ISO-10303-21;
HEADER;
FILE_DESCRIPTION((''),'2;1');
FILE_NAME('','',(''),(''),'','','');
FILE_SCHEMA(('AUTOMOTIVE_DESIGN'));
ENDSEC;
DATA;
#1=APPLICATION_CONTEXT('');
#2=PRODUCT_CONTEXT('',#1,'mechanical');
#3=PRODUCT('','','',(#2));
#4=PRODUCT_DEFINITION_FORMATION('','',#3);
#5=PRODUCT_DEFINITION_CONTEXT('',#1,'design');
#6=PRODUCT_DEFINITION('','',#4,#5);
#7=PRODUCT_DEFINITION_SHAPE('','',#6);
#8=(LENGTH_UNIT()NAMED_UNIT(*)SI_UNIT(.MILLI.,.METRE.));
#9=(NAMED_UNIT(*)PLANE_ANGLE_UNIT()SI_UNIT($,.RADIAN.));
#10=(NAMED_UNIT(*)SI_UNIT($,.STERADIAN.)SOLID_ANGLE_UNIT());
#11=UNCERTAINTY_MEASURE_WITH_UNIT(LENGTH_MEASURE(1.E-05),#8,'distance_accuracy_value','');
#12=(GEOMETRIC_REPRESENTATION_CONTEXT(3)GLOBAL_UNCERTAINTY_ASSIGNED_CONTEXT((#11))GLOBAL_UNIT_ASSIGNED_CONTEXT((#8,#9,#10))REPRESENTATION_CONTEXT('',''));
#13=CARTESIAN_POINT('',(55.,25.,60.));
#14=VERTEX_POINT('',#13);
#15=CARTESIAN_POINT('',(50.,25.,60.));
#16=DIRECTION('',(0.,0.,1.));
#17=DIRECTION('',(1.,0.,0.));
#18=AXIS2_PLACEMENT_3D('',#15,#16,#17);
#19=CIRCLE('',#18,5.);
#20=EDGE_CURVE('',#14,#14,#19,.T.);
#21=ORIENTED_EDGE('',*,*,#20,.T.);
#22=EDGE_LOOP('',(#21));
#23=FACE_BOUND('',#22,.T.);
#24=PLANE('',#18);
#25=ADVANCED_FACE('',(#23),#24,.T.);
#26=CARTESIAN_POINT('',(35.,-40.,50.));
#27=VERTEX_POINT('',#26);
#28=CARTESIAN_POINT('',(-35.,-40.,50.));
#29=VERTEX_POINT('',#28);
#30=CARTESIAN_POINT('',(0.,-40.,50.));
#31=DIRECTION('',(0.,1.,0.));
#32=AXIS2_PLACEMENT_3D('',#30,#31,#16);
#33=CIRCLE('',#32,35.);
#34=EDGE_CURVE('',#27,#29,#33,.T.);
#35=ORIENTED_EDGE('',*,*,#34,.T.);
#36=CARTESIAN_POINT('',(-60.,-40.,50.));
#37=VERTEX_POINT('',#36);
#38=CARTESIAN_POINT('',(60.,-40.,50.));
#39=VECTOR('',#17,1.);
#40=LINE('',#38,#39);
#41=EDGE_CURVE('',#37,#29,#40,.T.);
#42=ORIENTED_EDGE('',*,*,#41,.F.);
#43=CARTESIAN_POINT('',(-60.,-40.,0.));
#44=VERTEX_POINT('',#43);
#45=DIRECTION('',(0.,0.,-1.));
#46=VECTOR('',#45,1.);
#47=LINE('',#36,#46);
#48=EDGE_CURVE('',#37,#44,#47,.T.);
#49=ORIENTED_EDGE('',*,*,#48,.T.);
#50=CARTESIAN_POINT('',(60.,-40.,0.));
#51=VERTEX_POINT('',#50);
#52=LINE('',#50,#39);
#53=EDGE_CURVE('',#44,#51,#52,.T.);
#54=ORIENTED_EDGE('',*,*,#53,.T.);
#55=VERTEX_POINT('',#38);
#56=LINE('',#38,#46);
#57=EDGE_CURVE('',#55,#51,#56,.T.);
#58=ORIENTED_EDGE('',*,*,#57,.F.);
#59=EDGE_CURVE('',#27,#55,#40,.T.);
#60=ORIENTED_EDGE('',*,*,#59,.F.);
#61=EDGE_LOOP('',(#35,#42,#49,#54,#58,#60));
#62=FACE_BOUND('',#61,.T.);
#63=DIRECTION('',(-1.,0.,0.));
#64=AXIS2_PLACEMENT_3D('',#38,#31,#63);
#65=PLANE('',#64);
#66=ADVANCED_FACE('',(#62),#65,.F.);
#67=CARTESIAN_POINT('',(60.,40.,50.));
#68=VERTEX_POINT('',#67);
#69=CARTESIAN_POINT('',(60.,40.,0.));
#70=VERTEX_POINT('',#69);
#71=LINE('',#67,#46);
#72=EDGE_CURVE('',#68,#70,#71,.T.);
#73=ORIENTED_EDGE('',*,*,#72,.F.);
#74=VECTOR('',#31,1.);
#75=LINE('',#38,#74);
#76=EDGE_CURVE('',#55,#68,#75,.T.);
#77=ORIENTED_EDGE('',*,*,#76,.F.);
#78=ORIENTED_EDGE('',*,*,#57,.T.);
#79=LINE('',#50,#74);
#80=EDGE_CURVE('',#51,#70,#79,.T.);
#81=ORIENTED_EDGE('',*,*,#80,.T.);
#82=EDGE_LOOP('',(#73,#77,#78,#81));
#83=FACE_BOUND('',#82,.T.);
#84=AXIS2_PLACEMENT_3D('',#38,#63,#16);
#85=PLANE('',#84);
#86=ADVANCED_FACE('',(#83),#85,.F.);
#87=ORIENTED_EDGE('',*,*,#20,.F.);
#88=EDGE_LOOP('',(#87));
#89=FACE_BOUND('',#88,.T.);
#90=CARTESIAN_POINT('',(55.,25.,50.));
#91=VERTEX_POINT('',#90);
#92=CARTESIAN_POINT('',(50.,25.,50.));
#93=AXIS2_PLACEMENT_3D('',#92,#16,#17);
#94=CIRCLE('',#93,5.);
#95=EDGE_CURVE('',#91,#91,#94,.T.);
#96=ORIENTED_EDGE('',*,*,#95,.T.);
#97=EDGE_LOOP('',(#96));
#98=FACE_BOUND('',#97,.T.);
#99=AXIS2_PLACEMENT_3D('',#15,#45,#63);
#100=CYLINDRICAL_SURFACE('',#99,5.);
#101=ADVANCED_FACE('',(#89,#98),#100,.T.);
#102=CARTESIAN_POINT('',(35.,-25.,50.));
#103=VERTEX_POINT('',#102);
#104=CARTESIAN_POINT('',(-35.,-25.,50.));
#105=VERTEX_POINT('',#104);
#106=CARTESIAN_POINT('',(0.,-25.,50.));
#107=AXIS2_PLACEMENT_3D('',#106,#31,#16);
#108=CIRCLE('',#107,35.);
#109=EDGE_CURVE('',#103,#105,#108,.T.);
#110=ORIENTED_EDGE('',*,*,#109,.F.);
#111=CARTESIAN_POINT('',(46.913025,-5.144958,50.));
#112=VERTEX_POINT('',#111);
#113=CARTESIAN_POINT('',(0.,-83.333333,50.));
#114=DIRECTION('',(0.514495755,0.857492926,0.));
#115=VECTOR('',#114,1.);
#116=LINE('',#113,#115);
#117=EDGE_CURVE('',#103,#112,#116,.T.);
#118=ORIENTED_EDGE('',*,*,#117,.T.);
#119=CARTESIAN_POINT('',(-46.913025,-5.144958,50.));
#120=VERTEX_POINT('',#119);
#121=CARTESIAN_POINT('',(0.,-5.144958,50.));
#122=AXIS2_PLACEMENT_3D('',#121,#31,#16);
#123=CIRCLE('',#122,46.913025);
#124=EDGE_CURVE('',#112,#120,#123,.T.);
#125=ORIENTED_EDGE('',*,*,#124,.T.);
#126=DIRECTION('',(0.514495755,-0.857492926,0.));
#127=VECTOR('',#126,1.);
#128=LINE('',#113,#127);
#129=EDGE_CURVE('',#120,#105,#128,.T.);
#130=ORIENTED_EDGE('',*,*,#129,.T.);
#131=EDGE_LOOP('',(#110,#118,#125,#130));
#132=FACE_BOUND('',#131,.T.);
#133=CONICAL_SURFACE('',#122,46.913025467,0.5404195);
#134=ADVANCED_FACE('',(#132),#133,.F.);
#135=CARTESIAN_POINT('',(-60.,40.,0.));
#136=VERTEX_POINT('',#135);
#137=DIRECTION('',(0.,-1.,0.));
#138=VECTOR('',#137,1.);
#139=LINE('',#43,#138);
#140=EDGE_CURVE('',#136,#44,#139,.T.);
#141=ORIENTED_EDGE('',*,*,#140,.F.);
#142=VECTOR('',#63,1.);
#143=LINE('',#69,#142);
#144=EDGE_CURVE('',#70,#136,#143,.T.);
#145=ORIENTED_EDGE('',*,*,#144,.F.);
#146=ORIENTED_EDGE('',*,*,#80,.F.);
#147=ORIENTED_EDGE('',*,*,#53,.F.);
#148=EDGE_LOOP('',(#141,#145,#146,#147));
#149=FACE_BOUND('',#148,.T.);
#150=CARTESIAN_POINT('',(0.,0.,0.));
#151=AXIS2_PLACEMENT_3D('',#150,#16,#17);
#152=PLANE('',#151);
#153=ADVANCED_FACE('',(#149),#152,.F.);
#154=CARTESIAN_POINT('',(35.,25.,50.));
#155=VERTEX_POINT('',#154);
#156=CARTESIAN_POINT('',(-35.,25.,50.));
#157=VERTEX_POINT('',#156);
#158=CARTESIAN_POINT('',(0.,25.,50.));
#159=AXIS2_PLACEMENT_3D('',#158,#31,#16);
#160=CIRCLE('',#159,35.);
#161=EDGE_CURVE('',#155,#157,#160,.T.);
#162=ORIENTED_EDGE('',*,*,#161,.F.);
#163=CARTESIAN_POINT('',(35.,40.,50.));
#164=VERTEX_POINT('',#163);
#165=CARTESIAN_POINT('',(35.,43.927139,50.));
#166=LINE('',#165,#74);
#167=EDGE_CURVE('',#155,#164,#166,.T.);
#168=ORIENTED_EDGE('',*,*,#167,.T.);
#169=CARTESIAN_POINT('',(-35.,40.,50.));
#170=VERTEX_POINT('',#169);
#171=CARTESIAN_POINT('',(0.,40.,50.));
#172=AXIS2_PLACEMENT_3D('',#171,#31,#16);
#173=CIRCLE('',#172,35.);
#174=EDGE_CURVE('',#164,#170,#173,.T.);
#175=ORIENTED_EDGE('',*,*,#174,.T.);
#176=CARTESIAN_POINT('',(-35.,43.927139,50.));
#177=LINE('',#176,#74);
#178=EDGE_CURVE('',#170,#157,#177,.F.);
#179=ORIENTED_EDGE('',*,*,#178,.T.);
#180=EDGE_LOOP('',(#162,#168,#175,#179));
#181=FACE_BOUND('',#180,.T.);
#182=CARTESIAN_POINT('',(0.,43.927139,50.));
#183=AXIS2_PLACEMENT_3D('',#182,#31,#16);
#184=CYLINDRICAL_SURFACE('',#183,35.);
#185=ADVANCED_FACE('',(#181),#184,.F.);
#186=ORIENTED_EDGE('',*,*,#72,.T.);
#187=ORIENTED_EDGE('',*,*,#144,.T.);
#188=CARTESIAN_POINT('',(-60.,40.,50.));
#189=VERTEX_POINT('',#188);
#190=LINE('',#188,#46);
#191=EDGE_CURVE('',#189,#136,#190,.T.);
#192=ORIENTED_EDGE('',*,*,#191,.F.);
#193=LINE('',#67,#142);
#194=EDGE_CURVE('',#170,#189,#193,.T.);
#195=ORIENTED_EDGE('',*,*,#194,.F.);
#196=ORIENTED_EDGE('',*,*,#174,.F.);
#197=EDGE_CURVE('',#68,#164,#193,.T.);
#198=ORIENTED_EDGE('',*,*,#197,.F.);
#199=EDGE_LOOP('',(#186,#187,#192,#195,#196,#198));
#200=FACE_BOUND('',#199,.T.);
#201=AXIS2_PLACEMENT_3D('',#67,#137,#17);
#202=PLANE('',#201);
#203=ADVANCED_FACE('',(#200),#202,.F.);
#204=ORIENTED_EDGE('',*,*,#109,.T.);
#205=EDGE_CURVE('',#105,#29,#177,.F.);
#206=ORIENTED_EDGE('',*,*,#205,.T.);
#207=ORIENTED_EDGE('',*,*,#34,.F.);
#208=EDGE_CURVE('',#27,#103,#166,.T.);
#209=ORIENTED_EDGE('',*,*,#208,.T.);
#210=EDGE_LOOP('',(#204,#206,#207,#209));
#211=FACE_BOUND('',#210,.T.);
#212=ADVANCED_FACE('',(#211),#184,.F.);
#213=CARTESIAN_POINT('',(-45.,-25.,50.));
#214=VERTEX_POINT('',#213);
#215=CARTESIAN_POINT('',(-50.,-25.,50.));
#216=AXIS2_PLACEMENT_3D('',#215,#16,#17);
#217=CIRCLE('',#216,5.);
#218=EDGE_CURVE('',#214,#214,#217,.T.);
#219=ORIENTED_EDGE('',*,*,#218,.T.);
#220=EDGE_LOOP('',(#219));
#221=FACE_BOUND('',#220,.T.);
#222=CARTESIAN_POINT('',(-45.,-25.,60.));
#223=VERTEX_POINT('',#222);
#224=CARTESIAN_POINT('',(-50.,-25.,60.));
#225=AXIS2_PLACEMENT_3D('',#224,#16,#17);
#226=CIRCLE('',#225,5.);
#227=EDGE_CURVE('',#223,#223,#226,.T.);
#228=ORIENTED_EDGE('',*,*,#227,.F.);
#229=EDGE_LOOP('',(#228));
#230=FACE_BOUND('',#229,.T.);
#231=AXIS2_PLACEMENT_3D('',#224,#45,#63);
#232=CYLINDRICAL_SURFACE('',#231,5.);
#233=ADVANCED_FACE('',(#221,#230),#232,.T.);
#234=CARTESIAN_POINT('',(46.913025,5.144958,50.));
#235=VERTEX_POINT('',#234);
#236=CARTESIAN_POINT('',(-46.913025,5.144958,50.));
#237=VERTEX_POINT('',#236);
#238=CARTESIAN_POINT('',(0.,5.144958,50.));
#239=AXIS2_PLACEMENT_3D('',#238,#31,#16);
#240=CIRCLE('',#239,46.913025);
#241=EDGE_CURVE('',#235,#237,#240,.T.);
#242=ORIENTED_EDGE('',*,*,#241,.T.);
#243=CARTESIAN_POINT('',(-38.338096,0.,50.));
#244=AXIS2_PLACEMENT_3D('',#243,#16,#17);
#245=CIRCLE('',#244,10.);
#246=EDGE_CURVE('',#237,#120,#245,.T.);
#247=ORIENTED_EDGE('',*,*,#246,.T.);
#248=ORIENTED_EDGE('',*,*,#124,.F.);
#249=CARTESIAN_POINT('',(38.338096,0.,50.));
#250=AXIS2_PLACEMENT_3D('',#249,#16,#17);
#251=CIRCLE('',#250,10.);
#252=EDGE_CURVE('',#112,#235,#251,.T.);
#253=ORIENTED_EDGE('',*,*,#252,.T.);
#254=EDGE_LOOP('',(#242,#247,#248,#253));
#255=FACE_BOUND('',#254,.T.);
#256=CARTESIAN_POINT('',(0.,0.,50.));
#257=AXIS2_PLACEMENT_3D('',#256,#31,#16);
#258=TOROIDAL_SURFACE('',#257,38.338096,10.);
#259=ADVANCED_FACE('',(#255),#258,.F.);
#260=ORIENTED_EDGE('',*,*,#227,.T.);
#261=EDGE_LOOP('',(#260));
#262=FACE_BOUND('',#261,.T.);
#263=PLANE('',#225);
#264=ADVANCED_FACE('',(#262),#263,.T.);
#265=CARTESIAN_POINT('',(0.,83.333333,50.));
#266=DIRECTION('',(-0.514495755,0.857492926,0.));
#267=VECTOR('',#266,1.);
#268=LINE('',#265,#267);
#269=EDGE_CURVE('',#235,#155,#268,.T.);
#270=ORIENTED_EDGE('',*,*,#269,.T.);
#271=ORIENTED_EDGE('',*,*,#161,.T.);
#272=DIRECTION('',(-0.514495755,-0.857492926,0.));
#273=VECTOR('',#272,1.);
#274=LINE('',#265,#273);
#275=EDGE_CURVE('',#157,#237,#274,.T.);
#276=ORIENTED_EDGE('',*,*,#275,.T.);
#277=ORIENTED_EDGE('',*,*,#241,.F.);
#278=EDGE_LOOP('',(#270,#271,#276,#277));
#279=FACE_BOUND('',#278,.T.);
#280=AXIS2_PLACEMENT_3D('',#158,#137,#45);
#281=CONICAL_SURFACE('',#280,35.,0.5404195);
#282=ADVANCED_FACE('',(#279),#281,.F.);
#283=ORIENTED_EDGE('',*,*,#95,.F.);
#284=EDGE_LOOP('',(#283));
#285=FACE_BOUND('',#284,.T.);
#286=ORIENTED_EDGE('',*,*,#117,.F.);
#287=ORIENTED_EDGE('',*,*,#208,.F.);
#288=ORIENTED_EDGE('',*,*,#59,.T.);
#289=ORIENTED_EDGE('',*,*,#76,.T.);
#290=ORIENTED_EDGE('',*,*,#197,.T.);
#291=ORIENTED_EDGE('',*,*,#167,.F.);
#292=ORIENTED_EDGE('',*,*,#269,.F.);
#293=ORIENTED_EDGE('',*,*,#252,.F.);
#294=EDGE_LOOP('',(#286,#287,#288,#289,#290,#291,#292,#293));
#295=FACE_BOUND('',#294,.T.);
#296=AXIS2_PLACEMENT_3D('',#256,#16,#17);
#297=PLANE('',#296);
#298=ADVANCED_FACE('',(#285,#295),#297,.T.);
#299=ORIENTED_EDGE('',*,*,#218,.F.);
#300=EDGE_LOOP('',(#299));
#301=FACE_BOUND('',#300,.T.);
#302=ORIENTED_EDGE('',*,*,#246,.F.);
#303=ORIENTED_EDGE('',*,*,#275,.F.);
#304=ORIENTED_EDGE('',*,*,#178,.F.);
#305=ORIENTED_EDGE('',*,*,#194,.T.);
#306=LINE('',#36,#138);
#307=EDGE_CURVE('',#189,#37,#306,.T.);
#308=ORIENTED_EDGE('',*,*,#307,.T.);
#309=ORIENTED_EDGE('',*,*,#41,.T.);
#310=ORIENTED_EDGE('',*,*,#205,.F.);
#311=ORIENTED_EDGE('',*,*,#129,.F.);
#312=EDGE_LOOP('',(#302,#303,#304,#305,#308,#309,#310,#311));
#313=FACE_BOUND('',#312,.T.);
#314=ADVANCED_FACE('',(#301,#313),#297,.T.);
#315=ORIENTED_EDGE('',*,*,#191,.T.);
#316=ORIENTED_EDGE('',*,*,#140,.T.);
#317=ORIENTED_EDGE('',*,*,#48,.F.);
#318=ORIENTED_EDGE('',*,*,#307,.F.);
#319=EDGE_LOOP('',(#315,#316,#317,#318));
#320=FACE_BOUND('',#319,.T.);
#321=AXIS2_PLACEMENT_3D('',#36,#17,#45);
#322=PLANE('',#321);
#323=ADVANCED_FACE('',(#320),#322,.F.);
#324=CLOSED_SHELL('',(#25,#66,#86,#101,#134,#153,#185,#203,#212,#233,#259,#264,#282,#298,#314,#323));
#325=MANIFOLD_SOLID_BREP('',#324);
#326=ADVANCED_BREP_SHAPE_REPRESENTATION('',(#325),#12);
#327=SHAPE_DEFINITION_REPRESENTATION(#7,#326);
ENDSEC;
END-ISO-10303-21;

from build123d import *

# Parameters (mm, degrees)
SKETCH1_W           = 120
SKETCH1_H           = 80
BOSS_EXTRUDE1_DEPTH = 50
SKETCH3_R           = 5
BOSS_EXTRUDE2_DEPTH = 10


with BuildPart() as part:
    # Sketch1 → Boss-Extrude1 (new body)
    with BuildSketch(Plane.XY):
        Rectangle(SKETCH1_W, SKETCH1_H)
    extrude(amount=BOSS_EXTRUDE1_DEPTH)

    # Sketch3 → Boss-Extrude2 (add)
    with BuildSketch(Plane.XY.offset(50)):
        with Locations((50, 25)):
            Circle(SKETCH3_R)
        with Locations((-50, -25)):
            Circle(SKETCH3_R)
    extrude(amount=BOSS_EXTRUDE2_DEPTH)

    # Sketch2 → Cut-Revolve2 (revolve, cut)
    with BuildSketch(Plane.XY.offset(50)):
        with BuildLine():
            Line((-35, 40), (-35, 25))
            Line((-35, 25), (-46.913025467, 5.144957554))
            ThreePointArc((-46.913025467, 5.144957554), (-48.33809621, 0), (-46.913025467, -5.144957554))
            Line((-46.913025467, -5.144957554), (-35, -25))
            Line((-35, -25), (-35, -40))
            Line((-35, -40), (0, -40))
            Line((0, -40), (0, 40))
            Line((0, 40), (-35, 40))
        make_face()
    revolve(axis=Axis((0, 43.927138889, 50), (0, -1, 0)), mode=Mode.SUBTRACT)


solid = part.part
